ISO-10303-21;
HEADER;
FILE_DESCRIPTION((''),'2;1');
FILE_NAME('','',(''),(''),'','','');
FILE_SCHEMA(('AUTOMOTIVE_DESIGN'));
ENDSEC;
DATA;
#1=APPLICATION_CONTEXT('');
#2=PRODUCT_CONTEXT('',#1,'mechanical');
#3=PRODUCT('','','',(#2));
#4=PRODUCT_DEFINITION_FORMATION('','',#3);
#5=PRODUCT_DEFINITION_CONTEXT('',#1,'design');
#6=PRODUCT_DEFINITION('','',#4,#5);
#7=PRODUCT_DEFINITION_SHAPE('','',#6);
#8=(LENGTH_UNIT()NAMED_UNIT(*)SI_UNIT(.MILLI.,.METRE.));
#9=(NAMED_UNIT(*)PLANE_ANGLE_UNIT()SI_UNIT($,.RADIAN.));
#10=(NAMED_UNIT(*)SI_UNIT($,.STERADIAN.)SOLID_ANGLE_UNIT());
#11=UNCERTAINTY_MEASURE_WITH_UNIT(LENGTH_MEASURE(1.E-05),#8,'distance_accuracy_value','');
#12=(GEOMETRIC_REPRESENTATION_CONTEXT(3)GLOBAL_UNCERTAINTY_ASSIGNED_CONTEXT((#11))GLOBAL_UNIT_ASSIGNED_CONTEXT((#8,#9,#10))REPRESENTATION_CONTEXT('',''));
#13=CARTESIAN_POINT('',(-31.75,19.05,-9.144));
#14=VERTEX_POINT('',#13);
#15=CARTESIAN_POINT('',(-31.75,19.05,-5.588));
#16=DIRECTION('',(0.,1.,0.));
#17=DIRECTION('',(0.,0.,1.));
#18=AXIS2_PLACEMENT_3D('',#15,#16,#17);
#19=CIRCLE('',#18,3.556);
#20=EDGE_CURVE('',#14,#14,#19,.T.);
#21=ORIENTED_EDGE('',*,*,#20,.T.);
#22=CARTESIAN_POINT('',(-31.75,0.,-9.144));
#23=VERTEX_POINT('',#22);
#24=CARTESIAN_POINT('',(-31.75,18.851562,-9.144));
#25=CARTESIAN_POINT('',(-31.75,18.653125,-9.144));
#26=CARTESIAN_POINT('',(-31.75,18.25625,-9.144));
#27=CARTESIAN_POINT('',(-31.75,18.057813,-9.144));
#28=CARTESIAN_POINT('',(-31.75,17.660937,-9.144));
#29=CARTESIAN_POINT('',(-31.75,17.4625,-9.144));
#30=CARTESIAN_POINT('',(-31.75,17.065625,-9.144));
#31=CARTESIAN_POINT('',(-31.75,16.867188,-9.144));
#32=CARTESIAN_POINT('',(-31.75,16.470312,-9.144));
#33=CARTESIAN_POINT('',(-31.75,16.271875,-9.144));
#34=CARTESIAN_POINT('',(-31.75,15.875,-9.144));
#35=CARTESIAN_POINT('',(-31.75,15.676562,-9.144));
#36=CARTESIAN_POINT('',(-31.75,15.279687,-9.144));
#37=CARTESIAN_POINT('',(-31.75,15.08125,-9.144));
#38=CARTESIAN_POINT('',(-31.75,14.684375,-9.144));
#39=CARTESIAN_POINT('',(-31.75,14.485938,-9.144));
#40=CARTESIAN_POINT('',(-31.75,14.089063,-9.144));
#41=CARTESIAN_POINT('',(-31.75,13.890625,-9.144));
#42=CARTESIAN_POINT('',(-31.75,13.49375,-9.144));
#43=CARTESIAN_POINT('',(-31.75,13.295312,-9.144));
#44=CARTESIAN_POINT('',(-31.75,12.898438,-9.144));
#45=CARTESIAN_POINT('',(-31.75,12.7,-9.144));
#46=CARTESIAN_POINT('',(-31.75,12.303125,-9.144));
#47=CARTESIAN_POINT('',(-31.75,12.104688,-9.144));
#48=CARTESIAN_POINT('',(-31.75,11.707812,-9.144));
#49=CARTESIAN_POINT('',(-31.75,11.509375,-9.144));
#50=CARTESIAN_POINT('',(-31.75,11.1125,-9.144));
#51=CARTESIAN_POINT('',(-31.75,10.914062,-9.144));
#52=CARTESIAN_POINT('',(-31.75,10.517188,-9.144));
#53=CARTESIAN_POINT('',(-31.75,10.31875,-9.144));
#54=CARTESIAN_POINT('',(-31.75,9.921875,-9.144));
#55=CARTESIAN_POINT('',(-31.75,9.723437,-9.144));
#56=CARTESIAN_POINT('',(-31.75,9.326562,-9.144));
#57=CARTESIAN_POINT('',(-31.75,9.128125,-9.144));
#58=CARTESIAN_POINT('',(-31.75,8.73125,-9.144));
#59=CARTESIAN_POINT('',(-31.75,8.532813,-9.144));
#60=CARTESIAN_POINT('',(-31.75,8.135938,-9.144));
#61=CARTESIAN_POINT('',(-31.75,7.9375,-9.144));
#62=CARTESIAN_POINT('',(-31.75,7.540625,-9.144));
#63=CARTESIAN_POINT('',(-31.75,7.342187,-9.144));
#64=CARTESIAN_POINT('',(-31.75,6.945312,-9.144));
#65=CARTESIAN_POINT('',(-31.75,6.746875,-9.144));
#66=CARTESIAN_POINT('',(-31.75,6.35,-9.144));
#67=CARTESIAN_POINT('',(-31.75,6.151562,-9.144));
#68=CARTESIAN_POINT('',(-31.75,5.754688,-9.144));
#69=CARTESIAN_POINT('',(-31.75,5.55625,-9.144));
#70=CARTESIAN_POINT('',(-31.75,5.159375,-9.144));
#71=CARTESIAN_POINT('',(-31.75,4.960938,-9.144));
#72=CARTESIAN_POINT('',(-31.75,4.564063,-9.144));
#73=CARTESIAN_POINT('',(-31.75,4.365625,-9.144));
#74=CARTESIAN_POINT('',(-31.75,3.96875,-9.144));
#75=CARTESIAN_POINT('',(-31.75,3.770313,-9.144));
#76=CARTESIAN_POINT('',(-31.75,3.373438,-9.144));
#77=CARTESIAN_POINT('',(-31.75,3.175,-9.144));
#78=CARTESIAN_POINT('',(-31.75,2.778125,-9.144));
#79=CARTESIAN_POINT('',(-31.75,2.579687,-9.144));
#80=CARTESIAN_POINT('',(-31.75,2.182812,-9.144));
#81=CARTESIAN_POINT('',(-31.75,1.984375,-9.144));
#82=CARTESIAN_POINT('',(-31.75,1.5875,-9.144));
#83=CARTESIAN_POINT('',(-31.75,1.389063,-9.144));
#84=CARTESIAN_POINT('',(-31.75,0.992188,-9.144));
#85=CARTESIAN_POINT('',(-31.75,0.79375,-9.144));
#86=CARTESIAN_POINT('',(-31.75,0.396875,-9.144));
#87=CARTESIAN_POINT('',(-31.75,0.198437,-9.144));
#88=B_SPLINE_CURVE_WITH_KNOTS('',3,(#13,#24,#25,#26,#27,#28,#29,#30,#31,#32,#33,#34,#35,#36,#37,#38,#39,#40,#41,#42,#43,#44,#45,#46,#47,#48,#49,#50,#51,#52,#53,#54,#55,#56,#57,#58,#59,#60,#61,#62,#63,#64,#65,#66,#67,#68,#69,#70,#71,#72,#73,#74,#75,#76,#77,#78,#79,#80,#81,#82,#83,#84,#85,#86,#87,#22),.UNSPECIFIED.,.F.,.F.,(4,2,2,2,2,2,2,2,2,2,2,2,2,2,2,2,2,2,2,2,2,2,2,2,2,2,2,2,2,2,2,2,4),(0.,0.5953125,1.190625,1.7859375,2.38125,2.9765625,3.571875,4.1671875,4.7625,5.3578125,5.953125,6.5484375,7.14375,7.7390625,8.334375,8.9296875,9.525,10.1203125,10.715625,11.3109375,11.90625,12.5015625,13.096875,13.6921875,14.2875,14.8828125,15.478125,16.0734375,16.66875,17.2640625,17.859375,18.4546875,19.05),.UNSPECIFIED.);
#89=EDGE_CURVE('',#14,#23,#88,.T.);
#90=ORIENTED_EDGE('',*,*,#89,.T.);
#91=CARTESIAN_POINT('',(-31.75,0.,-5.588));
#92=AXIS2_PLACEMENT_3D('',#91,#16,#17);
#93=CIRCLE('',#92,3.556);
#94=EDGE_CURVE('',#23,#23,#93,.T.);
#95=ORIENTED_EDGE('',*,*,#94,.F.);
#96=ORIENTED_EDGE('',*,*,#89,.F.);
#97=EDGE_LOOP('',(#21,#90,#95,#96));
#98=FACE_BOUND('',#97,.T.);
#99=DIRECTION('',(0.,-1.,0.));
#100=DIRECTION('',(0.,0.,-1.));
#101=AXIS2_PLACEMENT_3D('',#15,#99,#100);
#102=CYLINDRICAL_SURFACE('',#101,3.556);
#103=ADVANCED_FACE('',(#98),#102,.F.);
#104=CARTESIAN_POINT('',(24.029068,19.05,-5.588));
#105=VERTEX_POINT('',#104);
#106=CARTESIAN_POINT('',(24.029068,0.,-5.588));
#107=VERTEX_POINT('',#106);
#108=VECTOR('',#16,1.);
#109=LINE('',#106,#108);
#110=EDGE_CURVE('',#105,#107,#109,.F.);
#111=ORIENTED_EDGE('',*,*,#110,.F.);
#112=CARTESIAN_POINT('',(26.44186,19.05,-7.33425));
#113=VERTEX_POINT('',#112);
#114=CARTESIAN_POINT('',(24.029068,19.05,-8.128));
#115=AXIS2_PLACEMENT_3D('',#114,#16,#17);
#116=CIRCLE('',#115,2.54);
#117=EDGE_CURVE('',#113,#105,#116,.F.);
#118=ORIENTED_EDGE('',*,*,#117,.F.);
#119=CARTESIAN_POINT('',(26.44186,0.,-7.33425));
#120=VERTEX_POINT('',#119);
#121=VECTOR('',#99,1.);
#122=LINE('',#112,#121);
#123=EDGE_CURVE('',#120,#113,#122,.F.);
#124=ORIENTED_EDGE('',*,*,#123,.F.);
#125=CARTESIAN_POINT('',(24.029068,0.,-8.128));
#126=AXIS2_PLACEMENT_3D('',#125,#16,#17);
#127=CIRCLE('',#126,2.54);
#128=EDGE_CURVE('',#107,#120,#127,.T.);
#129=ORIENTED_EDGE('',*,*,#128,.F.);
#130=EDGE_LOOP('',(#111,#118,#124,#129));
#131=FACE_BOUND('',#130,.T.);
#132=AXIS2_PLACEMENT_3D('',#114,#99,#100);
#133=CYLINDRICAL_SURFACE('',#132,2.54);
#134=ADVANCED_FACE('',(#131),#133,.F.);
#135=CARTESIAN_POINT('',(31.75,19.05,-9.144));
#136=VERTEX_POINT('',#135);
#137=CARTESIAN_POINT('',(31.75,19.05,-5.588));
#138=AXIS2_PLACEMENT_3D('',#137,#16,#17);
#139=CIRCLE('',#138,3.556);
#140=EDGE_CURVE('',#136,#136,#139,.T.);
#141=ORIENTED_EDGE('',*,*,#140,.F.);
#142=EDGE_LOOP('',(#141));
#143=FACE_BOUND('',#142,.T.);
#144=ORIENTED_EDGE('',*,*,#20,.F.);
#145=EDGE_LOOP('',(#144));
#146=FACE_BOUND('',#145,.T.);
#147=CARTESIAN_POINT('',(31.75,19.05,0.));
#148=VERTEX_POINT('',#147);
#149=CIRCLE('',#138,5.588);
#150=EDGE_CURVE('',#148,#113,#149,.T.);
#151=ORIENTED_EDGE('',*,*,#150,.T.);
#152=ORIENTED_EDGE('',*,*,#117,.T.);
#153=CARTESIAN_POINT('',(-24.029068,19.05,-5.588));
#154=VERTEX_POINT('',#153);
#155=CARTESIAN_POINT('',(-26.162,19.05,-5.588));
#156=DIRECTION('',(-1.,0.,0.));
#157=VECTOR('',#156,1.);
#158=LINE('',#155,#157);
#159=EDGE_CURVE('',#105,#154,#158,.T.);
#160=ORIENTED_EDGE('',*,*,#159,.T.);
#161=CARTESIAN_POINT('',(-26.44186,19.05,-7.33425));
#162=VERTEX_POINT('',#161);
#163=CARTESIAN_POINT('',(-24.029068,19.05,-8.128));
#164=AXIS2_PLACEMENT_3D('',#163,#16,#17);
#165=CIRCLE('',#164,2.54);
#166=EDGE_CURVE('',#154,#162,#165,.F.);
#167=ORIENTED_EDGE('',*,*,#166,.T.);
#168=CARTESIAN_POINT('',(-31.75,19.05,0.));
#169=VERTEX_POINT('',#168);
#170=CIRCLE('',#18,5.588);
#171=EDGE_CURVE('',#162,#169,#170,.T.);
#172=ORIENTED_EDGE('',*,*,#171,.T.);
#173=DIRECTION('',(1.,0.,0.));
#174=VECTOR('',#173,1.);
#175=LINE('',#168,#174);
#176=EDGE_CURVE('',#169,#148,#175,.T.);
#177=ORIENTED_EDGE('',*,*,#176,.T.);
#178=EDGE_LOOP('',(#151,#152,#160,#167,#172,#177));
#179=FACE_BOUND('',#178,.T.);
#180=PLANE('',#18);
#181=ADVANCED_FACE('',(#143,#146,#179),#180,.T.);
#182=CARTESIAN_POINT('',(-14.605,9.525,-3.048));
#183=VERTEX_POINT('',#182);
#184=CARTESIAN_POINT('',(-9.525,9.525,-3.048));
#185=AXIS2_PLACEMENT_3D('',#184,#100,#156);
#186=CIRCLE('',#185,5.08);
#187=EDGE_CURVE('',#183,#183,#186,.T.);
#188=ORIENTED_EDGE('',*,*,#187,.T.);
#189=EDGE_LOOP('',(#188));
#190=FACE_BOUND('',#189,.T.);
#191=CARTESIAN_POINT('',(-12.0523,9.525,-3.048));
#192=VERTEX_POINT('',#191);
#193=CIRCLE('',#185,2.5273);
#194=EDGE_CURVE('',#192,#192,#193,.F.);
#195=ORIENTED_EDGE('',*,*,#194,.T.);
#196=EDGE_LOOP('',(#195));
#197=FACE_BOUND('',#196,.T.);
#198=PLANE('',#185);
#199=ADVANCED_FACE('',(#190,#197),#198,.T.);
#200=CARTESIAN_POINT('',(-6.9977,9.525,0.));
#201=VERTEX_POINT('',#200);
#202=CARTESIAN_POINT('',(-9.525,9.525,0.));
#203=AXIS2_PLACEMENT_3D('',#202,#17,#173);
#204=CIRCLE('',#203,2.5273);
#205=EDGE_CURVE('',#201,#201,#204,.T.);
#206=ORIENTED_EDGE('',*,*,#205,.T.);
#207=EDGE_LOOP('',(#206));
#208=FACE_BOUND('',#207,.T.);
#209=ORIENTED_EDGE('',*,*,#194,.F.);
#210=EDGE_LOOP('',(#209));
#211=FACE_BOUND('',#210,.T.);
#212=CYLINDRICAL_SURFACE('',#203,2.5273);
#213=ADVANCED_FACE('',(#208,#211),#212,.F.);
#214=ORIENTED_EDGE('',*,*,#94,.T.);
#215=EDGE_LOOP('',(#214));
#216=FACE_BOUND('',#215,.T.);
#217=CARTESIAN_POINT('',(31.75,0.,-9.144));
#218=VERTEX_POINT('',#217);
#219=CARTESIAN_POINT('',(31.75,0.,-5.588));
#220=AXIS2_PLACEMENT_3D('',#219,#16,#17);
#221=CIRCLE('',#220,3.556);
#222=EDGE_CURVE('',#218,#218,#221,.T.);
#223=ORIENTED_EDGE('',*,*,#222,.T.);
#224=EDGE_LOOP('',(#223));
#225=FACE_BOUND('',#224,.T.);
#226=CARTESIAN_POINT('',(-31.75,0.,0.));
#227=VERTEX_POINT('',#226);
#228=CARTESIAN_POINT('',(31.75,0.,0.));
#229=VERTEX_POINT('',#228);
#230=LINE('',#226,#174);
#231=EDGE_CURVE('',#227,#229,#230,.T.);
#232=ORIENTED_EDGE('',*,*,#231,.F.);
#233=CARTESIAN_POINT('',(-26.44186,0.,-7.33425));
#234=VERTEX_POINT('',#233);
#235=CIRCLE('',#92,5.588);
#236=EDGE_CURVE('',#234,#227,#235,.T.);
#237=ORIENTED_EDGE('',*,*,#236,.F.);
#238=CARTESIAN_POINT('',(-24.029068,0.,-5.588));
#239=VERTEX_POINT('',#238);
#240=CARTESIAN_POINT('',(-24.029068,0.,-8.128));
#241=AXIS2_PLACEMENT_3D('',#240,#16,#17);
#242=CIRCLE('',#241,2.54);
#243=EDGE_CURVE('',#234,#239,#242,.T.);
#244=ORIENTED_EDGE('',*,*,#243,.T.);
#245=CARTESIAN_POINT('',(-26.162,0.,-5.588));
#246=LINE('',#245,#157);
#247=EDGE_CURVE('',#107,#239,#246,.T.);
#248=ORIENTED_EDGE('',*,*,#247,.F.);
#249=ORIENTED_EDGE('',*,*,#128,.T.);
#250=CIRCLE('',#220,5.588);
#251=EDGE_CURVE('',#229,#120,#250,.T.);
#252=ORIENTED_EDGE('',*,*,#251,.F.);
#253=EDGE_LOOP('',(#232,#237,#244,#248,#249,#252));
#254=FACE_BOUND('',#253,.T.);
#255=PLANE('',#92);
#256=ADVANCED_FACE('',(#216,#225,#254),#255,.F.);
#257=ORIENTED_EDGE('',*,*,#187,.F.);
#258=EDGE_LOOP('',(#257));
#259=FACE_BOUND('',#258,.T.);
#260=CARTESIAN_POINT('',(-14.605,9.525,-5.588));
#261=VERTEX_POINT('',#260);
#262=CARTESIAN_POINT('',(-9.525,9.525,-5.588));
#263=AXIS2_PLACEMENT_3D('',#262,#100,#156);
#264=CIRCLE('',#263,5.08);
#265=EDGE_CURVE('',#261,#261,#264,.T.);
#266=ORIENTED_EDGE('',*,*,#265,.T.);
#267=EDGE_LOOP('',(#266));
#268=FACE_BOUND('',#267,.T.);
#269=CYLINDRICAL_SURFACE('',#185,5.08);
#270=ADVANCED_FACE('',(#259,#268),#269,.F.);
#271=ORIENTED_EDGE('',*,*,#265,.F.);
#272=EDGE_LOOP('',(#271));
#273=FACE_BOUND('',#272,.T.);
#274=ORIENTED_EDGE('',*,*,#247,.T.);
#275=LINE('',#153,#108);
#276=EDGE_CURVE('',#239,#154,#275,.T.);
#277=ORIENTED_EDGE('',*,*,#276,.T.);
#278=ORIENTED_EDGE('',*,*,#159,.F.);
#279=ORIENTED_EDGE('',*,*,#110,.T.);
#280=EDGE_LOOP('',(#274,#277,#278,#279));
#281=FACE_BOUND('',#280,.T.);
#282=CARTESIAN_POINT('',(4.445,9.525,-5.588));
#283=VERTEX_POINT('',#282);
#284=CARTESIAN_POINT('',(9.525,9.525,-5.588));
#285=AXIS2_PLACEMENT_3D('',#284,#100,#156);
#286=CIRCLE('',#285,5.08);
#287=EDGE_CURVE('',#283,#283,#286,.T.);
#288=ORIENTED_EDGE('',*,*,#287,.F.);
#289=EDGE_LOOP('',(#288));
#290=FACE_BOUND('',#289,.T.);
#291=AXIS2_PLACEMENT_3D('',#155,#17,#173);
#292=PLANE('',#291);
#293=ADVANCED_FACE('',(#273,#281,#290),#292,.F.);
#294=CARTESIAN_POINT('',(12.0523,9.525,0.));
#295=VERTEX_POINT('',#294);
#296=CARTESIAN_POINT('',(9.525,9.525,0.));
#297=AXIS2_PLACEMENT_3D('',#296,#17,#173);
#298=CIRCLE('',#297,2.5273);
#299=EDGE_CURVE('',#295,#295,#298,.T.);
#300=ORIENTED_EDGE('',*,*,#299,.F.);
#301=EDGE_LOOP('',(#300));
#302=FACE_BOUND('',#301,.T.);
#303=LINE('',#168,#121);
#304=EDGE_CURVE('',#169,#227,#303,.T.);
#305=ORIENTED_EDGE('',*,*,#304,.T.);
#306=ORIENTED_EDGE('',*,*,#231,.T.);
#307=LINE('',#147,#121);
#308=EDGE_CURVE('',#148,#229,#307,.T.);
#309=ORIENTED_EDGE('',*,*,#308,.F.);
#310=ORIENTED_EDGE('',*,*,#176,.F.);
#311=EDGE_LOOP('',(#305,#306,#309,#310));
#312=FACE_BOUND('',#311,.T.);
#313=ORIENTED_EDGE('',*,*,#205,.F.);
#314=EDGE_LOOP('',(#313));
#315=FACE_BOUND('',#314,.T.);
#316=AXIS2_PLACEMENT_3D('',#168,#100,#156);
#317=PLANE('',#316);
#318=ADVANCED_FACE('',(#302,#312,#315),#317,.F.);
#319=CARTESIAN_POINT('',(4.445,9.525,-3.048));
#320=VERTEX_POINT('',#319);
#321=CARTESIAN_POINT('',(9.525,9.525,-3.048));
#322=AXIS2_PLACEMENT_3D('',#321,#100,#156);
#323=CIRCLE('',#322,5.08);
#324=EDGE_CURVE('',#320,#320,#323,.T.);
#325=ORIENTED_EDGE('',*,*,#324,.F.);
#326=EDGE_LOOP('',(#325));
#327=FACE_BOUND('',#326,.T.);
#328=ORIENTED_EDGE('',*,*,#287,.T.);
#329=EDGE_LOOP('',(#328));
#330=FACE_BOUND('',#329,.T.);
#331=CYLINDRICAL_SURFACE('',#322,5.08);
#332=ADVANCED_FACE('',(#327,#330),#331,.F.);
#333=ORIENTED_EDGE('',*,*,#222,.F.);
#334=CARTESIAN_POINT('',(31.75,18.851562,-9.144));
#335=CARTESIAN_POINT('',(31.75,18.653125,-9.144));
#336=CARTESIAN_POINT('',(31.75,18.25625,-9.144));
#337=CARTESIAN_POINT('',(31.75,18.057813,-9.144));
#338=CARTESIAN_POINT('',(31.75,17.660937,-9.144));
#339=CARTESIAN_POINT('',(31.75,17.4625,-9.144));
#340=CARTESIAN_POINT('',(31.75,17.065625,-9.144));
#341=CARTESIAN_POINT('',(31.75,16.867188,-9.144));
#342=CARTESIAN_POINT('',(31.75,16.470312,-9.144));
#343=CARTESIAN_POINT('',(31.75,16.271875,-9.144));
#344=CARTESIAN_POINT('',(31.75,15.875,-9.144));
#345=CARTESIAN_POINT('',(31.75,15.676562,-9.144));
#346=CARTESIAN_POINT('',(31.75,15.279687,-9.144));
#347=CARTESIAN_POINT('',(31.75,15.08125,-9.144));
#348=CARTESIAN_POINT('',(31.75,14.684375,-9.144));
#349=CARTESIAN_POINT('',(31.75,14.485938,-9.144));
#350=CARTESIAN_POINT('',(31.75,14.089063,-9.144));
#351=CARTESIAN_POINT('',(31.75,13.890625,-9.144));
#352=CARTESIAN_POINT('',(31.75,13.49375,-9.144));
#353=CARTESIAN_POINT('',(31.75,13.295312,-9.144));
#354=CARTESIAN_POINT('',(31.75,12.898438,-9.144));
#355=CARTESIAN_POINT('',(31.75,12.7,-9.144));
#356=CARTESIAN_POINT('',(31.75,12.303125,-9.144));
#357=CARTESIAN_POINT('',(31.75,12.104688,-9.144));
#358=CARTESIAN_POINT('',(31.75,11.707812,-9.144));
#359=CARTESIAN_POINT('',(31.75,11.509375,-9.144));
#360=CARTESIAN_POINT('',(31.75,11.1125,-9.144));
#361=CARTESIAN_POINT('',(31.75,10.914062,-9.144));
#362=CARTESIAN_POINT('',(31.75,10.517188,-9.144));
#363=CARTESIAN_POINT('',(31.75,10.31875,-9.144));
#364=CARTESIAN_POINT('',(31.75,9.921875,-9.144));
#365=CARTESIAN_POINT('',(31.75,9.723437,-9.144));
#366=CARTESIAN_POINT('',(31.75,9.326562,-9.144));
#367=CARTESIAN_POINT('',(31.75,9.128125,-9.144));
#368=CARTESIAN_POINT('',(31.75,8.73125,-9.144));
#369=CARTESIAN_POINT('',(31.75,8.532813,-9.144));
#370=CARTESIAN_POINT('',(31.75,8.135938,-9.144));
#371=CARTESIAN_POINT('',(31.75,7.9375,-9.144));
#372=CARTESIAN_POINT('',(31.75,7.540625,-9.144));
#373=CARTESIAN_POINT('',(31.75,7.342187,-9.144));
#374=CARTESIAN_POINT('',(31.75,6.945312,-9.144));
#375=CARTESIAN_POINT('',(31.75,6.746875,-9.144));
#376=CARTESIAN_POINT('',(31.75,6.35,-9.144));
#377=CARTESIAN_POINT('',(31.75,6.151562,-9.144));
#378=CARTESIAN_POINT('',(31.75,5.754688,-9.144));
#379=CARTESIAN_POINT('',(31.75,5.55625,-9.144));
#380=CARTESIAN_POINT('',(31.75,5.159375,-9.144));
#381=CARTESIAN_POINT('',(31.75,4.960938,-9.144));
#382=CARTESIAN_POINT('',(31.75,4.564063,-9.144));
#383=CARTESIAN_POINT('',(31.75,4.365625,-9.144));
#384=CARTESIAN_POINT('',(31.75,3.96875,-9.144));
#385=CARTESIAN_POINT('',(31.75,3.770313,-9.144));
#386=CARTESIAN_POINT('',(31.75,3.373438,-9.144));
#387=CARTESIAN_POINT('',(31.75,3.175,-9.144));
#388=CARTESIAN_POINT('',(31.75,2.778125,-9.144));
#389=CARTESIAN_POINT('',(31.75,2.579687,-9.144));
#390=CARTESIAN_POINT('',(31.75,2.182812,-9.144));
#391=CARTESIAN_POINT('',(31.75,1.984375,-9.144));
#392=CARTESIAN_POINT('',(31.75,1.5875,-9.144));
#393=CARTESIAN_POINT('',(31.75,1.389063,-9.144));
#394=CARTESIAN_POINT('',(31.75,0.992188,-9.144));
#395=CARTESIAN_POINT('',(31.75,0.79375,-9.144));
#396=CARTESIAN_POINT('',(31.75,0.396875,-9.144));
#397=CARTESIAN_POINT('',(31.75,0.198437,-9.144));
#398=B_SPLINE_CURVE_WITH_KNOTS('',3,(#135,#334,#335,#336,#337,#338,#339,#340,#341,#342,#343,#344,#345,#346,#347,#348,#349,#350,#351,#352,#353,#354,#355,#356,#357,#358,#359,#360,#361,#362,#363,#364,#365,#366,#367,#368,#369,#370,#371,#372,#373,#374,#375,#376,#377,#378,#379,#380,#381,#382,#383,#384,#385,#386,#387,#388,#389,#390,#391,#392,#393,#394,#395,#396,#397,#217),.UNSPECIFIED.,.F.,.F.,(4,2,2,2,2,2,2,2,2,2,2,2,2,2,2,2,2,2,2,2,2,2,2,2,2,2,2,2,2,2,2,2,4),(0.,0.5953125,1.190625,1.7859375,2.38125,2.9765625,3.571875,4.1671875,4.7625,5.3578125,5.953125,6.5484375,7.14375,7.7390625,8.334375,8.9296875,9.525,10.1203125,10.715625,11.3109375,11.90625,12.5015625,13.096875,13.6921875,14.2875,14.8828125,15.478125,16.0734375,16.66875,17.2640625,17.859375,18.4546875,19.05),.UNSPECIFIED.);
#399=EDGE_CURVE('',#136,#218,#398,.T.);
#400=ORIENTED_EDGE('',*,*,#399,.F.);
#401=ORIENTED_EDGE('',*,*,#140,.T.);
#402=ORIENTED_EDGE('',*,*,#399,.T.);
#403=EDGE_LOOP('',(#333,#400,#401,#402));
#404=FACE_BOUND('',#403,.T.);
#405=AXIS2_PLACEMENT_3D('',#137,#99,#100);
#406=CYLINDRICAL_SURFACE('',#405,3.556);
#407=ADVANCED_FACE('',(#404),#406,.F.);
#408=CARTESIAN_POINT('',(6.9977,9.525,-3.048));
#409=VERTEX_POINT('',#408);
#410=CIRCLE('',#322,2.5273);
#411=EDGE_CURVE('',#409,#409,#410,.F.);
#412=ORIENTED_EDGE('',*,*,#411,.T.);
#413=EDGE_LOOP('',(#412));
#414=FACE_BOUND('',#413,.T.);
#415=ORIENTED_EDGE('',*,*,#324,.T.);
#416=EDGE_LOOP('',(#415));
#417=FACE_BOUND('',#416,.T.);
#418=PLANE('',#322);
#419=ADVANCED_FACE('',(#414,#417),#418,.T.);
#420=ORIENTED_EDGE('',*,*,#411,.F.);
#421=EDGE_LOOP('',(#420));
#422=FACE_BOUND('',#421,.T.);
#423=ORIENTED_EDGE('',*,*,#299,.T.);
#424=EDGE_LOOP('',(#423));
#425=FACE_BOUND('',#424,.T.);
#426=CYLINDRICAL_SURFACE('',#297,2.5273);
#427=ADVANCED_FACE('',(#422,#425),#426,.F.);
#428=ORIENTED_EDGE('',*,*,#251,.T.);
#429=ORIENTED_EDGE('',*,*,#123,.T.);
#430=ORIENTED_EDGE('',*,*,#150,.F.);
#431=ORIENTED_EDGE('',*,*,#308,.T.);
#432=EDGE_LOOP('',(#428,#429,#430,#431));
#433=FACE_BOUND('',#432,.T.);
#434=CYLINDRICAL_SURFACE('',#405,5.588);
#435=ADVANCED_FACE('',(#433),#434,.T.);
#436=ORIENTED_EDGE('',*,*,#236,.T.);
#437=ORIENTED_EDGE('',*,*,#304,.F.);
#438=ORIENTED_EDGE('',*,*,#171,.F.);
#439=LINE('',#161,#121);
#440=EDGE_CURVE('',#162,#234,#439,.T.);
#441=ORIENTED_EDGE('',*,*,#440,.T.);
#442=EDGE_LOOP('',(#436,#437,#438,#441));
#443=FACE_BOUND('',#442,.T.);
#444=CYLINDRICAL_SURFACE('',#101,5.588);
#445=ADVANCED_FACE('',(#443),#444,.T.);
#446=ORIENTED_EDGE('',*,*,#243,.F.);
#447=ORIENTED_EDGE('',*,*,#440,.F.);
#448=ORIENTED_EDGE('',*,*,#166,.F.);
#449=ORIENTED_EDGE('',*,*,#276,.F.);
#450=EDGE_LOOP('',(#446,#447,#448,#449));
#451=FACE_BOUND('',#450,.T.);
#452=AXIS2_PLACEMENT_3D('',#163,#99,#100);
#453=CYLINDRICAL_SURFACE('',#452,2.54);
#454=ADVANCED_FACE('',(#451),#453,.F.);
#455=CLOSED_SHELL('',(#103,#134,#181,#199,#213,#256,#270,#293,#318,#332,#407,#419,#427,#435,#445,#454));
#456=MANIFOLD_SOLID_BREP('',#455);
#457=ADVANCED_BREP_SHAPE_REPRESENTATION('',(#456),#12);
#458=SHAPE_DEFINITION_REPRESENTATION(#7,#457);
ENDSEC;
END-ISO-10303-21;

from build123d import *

# Parameters (mm, degrees)
SKETCH1_R                      = 3.556
BOSS_EXTRUDE1_DEPTH            = 19.05
FILLET2_R                      = 2.54
F_8_0_199_DIAMETER_HOLE1_D     = 5.0546
F_8_0_199_DIAMETER_HOLE1_DEPTH = 9.149444958
F_8_0_199_DIAMETER_HOLE1_TIP   = 1.518555042
SKETCH11_R                     = 5.08
CUT_EXTRUDE1_DEPTH             = 2.54


with BuildPart() as part:
    # Sketch1 → Boss-Extrude1 (new body)
    with BuildSketch(Plane(origin=(0, 0, 0), x_dir=(1, 0, 0), z_dir=(0, 1, 0))):
        with BuildLine():
            Line((-31.75, 0), (31.75, 0))
            ThreePointArc((31.75, 0), (35.701312693, 9.539312693), (26.162, 5.588))
            Line((26.162, 5.588), (-26.162, 5.588))
            ThreePointArc((-26.162, 5.588), (-35.701312693, 9.539312693), (-31.75, 0))
        make_face()
        with Locations(Location((31.75, 5.588, 0), (0, 0, 90))):
            Circle(SKETCH1_R, mode=Mode.SUBTRACT)
        with Locations(Location((-31.75, 5.588, 0), (0, 0, 90))):
            Circle(SKETCH1_R, mode=Mode.SUBTRACT)
    extrude(amount=BOSS_EXTRUDE1_DEPTH)

    # Fillet2
    fillet2_edges = [part.edges().sort_by_distance(p)[0] for p in [
        (-26.162, 9.525, -5.588),
        (26.162, 9.525, -5.588),
    ]]
    fillet(fillet2_edges, radius=FILLET2_R)

    # #8 (0.199) Diameter Hole1
    with Locations(Plane.XY):
        with Locations((-9.525, 9.525), (9.525, 9.525)):
            Hole(F_8_0_199_DIAMETER_HOLE1_D / 2, depth=F_8_0_199_DIAMETER_HOLE1_DEPTH)
            with Locations((0, 0, -(F_8_0_199_DIAMETER_HOLE1_DEPTH + F_8_0_199_DIAMETER_HOLE1_TIP / 2))):  # 118° drill point
                Cone(0, F_8_0_199_DIAMETER_HOLE1_D / 2, F_8_0_199_DIAMETER_HOLE1_TIP, mode=Mode.SUBTRACT)

    # Sketch11 → Cut-Extrude1 (cut)
    with BuildSketch(Plane(origin=(0, 0, -5.588), x_dir=(-1, 0, 0), z_dir=(0, 0, -1))):
        with Locations((-9.525, 9.525)):
            Circle(SKETCH11_R)
        with Locations((9.525, 9.525)):
            Circle(SKETCH11_R)
    extrude(amount=-CUT_EXTRUDE1_DEPTH, mode=Mode.SUBTRACT)


solid = part.part
